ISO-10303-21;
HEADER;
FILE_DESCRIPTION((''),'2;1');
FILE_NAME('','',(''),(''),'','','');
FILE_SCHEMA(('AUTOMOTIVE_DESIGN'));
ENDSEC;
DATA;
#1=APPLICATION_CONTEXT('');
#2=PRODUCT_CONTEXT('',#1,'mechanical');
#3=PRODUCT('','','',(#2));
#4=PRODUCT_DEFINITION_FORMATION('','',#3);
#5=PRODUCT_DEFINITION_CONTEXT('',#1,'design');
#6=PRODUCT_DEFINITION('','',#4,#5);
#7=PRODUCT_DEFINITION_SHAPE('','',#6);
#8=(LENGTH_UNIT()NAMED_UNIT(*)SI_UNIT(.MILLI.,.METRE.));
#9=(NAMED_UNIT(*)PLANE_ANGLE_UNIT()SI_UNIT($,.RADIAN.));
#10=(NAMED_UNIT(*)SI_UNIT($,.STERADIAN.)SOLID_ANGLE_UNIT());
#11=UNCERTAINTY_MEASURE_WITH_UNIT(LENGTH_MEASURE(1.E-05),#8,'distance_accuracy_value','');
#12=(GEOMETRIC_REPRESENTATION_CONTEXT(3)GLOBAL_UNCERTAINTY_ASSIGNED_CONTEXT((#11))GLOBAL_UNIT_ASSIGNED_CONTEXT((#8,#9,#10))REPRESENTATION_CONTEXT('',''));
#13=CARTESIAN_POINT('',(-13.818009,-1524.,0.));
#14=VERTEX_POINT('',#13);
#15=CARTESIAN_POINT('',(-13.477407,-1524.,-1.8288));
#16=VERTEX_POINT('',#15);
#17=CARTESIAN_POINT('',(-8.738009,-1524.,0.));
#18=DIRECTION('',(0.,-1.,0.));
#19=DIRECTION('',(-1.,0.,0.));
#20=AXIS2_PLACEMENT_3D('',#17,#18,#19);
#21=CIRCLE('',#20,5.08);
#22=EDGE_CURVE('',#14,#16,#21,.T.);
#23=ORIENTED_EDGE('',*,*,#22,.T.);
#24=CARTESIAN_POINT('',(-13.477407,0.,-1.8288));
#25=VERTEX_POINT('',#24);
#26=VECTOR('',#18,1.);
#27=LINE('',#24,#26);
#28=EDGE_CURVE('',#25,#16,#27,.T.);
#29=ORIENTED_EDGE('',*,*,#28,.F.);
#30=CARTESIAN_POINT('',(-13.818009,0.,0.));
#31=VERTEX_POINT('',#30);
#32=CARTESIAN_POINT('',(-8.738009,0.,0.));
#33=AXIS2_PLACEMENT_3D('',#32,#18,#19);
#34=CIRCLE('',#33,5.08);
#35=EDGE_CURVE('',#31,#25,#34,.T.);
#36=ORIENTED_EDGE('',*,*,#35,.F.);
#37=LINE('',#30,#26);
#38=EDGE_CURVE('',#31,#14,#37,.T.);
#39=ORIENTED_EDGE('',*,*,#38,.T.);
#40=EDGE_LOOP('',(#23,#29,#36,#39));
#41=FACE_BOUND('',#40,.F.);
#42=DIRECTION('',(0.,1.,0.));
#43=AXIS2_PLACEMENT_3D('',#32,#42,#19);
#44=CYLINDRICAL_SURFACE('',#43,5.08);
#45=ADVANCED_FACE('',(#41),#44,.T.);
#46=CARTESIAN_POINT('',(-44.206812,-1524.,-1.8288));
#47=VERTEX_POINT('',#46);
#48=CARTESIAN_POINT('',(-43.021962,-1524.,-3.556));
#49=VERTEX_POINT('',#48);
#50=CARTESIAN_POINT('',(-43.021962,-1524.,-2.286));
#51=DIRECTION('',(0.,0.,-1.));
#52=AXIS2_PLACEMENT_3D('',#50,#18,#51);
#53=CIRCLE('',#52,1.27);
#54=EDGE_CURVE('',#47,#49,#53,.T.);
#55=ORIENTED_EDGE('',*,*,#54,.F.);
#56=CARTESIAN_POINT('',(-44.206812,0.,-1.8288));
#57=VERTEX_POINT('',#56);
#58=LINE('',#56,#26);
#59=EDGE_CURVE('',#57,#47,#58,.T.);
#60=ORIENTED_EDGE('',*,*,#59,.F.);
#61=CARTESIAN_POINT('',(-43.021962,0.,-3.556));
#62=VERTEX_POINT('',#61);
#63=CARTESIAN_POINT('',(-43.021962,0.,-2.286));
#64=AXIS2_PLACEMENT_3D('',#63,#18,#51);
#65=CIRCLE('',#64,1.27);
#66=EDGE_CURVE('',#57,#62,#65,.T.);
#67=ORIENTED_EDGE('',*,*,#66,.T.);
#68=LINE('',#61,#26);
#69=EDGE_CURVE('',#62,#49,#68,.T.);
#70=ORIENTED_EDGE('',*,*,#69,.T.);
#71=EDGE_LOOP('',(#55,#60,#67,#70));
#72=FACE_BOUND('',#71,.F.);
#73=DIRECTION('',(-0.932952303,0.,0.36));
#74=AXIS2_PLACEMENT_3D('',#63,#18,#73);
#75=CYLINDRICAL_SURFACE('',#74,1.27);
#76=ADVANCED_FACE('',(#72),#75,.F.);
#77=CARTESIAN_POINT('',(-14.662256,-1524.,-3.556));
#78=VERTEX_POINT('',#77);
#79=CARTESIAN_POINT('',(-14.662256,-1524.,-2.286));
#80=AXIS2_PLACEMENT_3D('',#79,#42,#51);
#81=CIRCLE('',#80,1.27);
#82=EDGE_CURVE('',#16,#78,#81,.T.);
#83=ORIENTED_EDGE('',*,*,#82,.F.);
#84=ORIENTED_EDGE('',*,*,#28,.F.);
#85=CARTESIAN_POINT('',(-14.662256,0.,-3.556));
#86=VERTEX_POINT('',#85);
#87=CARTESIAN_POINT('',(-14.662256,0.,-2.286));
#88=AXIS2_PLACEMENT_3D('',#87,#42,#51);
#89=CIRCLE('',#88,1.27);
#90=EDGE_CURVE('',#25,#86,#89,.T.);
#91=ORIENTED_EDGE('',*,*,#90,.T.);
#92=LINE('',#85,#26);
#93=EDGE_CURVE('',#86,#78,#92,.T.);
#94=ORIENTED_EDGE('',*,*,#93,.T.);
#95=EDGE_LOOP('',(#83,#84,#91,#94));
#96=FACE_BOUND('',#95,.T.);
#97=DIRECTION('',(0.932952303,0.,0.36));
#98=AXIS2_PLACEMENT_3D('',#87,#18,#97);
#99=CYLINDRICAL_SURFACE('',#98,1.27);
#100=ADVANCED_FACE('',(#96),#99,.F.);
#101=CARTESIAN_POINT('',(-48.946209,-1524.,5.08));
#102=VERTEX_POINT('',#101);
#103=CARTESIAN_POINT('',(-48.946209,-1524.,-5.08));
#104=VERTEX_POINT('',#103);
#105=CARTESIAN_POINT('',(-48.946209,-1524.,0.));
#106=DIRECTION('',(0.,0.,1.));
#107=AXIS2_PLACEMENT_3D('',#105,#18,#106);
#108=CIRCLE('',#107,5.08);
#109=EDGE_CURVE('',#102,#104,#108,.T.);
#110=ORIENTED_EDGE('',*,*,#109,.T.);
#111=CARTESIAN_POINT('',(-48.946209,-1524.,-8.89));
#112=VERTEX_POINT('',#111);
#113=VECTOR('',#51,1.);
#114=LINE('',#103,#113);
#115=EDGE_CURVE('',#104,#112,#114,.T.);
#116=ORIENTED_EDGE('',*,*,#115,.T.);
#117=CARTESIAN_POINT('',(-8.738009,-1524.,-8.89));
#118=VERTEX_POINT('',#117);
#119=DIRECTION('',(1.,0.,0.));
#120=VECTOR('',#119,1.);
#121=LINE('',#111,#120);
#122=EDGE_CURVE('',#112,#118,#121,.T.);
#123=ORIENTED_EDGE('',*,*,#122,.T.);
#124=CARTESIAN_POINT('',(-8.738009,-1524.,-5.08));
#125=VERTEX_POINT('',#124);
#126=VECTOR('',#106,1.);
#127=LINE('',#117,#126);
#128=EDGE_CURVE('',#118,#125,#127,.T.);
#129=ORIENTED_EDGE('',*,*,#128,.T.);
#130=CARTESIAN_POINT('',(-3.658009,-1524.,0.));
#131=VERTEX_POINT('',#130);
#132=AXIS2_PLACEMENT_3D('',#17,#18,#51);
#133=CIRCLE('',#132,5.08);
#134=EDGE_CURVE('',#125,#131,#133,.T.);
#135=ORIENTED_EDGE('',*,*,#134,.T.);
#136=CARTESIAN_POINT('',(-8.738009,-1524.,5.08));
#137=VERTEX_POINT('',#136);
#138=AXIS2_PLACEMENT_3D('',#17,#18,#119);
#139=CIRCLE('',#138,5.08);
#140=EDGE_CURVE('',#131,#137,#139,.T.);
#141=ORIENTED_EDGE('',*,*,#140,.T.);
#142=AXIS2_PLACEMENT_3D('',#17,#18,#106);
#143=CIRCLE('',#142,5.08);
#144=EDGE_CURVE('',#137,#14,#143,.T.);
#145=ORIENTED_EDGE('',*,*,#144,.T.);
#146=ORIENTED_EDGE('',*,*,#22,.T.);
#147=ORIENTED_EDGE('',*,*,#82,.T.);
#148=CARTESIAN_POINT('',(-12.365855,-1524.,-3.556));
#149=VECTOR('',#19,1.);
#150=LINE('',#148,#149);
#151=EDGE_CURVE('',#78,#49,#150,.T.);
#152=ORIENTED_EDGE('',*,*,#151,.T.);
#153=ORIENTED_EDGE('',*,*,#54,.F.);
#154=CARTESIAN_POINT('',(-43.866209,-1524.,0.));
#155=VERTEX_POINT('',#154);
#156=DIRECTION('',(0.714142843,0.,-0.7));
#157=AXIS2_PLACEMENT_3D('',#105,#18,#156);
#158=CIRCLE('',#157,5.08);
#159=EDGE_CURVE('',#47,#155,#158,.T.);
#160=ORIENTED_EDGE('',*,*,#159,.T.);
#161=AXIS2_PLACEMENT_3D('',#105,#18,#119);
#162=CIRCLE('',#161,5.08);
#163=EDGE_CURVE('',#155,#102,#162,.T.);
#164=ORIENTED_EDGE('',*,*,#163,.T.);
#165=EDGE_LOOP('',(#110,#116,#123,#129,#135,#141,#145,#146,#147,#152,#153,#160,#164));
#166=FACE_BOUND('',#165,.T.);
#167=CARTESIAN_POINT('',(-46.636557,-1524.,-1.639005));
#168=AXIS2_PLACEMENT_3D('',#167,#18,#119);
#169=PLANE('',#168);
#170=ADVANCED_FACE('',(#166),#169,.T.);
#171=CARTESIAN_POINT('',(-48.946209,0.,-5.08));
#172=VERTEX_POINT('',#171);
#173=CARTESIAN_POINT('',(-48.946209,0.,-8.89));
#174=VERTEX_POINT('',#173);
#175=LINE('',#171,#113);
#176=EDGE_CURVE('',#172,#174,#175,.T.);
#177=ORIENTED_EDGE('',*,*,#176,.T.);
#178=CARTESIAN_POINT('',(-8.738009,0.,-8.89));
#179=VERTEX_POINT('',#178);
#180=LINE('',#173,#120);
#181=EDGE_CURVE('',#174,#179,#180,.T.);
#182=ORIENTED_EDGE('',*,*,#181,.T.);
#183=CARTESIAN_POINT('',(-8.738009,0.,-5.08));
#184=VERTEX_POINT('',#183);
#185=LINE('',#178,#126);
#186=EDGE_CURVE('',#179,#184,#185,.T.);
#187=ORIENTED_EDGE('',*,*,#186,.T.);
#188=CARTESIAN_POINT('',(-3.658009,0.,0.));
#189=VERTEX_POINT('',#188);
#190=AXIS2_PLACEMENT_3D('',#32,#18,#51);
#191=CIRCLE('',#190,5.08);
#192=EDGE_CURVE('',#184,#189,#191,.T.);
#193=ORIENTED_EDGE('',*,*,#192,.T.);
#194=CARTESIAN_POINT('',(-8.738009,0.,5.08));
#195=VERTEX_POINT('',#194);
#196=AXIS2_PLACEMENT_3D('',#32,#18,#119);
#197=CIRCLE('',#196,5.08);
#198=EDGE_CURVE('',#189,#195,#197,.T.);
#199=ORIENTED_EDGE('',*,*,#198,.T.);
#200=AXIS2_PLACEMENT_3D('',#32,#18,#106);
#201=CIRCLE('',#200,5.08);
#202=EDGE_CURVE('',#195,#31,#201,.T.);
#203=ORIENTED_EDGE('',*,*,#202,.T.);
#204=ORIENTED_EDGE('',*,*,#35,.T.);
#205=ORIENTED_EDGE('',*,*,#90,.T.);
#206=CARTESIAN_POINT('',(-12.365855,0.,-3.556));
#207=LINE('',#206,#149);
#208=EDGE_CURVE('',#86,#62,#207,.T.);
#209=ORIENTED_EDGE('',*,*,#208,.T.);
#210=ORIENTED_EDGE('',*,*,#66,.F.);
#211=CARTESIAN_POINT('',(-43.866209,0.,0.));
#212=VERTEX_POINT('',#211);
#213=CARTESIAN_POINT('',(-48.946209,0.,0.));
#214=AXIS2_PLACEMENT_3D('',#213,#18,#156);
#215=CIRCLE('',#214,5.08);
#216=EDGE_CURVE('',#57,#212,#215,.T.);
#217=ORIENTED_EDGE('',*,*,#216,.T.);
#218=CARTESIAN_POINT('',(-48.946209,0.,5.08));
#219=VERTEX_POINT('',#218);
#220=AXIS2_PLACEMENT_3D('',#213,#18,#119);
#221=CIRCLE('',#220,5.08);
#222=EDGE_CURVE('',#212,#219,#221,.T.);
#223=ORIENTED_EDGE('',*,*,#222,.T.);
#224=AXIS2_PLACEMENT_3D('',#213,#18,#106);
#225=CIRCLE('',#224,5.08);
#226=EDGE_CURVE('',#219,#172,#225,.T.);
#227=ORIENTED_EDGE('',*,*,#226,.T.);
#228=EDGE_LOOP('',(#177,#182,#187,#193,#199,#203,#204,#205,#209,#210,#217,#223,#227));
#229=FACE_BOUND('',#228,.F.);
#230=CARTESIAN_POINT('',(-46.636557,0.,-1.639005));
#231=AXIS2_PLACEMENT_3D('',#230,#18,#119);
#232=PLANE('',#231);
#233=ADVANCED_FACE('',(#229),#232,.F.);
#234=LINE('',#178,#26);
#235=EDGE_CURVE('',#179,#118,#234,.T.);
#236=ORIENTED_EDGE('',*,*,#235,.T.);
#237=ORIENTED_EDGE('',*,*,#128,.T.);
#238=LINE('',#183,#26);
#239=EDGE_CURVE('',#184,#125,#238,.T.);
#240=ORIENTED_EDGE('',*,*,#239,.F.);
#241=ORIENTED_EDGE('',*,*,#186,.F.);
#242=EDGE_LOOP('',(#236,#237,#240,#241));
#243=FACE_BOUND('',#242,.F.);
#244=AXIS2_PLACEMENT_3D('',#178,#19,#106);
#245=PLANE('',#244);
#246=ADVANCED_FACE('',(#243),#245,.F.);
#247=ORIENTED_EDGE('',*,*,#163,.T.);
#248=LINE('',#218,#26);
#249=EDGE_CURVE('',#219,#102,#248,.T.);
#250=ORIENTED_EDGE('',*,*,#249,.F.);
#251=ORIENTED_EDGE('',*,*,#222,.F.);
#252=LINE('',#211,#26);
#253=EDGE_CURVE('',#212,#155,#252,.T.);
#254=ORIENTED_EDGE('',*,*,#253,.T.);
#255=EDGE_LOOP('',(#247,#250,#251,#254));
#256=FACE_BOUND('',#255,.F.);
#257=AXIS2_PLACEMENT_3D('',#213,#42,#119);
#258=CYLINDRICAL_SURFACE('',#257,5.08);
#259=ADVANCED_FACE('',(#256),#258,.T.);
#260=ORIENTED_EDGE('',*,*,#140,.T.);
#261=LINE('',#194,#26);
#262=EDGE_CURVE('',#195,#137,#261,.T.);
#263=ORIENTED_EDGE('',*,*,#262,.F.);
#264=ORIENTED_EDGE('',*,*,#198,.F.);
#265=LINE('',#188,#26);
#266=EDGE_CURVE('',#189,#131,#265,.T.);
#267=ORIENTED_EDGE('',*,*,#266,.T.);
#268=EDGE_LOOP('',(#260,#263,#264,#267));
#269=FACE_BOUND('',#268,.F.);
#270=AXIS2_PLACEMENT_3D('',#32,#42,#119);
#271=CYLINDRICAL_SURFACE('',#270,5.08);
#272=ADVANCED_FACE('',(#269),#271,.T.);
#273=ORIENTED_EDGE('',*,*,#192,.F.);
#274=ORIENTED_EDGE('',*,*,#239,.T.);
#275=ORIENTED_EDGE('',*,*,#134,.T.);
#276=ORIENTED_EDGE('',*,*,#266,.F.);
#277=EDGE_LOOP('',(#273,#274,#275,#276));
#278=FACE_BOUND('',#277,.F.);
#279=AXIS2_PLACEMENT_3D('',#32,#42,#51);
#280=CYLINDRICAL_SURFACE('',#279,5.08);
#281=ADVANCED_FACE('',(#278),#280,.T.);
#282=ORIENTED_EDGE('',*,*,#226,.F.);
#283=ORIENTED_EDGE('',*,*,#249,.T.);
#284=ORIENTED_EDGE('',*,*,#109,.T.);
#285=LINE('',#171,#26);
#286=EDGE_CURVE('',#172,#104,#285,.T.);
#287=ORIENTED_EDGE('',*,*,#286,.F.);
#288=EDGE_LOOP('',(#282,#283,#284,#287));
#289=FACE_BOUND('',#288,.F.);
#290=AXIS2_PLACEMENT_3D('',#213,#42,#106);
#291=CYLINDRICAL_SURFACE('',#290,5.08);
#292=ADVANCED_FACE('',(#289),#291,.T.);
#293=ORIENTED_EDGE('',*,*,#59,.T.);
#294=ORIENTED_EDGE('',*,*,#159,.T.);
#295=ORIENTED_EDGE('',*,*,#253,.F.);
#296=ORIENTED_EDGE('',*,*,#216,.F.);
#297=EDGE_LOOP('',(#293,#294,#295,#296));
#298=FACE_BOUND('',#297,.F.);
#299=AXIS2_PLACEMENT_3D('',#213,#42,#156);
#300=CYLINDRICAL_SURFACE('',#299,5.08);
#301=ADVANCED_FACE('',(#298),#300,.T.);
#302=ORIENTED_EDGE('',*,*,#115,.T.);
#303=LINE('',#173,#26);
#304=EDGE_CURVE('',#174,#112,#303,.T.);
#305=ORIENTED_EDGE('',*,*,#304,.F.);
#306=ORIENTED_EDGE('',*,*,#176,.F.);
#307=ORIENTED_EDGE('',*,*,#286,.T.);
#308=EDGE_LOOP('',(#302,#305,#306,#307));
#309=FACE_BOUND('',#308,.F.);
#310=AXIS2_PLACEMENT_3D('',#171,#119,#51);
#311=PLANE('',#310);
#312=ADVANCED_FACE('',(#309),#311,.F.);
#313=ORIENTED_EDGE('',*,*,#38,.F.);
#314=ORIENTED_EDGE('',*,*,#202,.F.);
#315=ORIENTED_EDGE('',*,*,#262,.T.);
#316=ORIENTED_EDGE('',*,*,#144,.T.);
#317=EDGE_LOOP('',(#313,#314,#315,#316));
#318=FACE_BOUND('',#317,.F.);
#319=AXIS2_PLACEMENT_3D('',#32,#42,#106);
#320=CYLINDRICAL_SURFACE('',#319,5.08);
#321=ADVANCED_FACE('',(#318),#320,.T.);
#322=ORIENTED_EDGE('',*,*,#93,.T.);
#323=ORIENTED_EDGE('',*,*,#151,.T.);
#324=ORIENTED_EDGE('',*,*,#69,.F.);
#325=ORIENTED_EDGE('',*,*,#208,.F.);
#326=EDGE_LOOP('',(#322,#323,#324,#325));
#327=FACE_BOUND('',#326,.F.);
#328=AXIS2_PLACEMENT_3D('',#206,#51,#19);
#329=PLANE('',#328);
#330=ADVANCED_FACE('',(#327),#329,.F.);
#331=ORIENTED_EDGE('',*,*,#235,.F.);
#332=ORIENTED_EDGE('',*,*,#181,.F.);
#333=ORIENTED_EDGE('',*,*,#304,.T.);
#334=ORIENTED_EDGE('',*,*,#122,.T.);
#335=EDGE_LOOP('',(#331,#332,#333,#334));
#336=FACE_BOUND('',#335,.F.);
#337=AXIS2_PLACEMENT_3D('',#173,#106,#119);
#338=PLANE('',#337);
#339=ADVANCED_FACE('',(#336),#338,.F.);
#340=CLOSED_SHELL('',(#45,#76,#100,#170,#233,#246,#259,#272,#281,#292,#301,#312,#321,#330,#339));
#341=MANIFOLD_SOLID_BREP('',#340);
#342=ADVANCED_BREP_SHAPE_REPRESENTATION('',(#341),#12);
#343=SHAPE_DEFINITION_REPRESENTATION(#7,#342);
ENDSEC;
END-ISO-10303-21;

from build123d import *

# Parameters (mm, degrees)
F1_DEPTH = 1524
F2_R     = 1.27


with BuildPart() as f1:
    # F0 (on Front) → F1 (new body)
    with BuildSketch(Plane.XZ):
        with BuildLine():
            ThreePointArc((-45.3183636102, -3.556), (-44.243239134, -1.9205395258), (-43.8662092519, 0))
            Line((-43.8662092519, 0), (-48.9462092519, 0))
            Line((-48.9462092519, 0), (-48.9462092519, -3.556))
            Line((-48.9462092519, -3.556), (-45.3183636102, -3.556))
        make_face()
        with BuildLine():
            Line((-48.9462092519, 0), (-43.8662092519, 0))
            ThreePointArc((-43.8662092519, 0), (-45.3541068035, 3.5921024484), (-48.9462092519, 5.08))
            Line((-48.9462092519, 5.08), (-48.9462092519, 0))
        make_face()
        with BuildLine():
            ThreePointArc((-48.9462092519, -5.08), (-46.978733712, -4.6835285843), (-45.3183636102, -3.556))
            Line((-45.3183636102, -3.556), (-48.9462092519, -3.556))
            Line((-48.9462092519, -3.556), (-48.9462092519, -5.08))
        make_face()
        with BuildLine():
            Line((-48.9462092519, 0), (-48.9462092519, 5.08))
            ThreePointArc((-48.9462092519, 5.08), (-54.0262092519, 0), (-48.9462092519, -5.08))
            Line((-48.9462092519, -5.08), (-48.9462092519, -3.556))
            Line((-48.9462092519, -3.556), (-48.9462092519, 0))
        make_face()
        with BuildLine():
            Line((-12.3658548936, -3.556), (-45.3183636102, -3.556))
            ThreePointArc((-45.3183636102, -3.556), (-46.978733712, -4.6835285843), (-48.9462092519, -5.08))
            Line((-48.9462092519, -5.08), (-48.9462092519, -8.89))
            Line((-48.9462092519, -8.89), (-8.7380092519, -8.89))
            Line((-8.7380092519, -8.89), (-8.7380092519, -5.08))
            ThreePointArc((-8.7380092519, -5.08), (-10.7054847918, -4.6835285843), (-12.3658548936, -3.556))
        make_face()
        with BuildLine():
            Line((-8.7380092519, 0), (-13.8180092519, 0))
            ThreePointArc((-13.8180092519, 0), (-13.4409793698, -1.9205395258), (-12.3658548936, -3.556))
            Line((-12.3658548936, -3.556), (-8.7380092519, -3.556))
            Line((-8.7380092519, -3.556), (-8.7380092519, 0))
        make_face()
        with BuildLine():
            ThreePointArc((-8.7380092519, 5.08), (-12.3301117003, 3.5921024484), (-13.8180092519, 0))
            Line((-13.8180092519, 0), (-8.7380092519, 0))
            Line((-8.7380092519, 0), (-8.7380092519, 5.08))
        make_face()
        with BuildLine():
            Line((-8.7380092519, -3.556), (-12.3658548936, -3.556))
            ThreePointArc((-12.3658548936, -3.556), (-10.7054847918, -4.6835285843), (-8.7380092519, -5.08))
            Line((-8.7380092519, -5.08), (-8.7380092519, -3.556))
        make_face()
        with BuildLine():
            Line((-8.7380092519, 5.08), (-8.7380092519, 0))
            Line((-8.7380092519, 0), (-8.7380092519, -3.556))
            Line((-8.7380092519, -3.556), (-8.7380092519, -5.08))
            ThreePointArc((-8.7380092519, -5.08), (-5.1459068035, -3.5921024484), (-3.6580092519, 0))
            ThreePointArc((-3.6580092519, 0), (-5.1459068035, 3.5921024484), (-8.7380092519, 5.08))
        make_face()
    extrude(amount=F1_DEPTH)

    # F2
    f2_edges = [f1.edges().sort_by_distance(p)[0] for p in [
        (-45.318364, -762, -3.556),
        (-12.365855, -762, -3.556),
    ]]
    fillet(f2_edges, radius=F2_R)


solid = f1.part
